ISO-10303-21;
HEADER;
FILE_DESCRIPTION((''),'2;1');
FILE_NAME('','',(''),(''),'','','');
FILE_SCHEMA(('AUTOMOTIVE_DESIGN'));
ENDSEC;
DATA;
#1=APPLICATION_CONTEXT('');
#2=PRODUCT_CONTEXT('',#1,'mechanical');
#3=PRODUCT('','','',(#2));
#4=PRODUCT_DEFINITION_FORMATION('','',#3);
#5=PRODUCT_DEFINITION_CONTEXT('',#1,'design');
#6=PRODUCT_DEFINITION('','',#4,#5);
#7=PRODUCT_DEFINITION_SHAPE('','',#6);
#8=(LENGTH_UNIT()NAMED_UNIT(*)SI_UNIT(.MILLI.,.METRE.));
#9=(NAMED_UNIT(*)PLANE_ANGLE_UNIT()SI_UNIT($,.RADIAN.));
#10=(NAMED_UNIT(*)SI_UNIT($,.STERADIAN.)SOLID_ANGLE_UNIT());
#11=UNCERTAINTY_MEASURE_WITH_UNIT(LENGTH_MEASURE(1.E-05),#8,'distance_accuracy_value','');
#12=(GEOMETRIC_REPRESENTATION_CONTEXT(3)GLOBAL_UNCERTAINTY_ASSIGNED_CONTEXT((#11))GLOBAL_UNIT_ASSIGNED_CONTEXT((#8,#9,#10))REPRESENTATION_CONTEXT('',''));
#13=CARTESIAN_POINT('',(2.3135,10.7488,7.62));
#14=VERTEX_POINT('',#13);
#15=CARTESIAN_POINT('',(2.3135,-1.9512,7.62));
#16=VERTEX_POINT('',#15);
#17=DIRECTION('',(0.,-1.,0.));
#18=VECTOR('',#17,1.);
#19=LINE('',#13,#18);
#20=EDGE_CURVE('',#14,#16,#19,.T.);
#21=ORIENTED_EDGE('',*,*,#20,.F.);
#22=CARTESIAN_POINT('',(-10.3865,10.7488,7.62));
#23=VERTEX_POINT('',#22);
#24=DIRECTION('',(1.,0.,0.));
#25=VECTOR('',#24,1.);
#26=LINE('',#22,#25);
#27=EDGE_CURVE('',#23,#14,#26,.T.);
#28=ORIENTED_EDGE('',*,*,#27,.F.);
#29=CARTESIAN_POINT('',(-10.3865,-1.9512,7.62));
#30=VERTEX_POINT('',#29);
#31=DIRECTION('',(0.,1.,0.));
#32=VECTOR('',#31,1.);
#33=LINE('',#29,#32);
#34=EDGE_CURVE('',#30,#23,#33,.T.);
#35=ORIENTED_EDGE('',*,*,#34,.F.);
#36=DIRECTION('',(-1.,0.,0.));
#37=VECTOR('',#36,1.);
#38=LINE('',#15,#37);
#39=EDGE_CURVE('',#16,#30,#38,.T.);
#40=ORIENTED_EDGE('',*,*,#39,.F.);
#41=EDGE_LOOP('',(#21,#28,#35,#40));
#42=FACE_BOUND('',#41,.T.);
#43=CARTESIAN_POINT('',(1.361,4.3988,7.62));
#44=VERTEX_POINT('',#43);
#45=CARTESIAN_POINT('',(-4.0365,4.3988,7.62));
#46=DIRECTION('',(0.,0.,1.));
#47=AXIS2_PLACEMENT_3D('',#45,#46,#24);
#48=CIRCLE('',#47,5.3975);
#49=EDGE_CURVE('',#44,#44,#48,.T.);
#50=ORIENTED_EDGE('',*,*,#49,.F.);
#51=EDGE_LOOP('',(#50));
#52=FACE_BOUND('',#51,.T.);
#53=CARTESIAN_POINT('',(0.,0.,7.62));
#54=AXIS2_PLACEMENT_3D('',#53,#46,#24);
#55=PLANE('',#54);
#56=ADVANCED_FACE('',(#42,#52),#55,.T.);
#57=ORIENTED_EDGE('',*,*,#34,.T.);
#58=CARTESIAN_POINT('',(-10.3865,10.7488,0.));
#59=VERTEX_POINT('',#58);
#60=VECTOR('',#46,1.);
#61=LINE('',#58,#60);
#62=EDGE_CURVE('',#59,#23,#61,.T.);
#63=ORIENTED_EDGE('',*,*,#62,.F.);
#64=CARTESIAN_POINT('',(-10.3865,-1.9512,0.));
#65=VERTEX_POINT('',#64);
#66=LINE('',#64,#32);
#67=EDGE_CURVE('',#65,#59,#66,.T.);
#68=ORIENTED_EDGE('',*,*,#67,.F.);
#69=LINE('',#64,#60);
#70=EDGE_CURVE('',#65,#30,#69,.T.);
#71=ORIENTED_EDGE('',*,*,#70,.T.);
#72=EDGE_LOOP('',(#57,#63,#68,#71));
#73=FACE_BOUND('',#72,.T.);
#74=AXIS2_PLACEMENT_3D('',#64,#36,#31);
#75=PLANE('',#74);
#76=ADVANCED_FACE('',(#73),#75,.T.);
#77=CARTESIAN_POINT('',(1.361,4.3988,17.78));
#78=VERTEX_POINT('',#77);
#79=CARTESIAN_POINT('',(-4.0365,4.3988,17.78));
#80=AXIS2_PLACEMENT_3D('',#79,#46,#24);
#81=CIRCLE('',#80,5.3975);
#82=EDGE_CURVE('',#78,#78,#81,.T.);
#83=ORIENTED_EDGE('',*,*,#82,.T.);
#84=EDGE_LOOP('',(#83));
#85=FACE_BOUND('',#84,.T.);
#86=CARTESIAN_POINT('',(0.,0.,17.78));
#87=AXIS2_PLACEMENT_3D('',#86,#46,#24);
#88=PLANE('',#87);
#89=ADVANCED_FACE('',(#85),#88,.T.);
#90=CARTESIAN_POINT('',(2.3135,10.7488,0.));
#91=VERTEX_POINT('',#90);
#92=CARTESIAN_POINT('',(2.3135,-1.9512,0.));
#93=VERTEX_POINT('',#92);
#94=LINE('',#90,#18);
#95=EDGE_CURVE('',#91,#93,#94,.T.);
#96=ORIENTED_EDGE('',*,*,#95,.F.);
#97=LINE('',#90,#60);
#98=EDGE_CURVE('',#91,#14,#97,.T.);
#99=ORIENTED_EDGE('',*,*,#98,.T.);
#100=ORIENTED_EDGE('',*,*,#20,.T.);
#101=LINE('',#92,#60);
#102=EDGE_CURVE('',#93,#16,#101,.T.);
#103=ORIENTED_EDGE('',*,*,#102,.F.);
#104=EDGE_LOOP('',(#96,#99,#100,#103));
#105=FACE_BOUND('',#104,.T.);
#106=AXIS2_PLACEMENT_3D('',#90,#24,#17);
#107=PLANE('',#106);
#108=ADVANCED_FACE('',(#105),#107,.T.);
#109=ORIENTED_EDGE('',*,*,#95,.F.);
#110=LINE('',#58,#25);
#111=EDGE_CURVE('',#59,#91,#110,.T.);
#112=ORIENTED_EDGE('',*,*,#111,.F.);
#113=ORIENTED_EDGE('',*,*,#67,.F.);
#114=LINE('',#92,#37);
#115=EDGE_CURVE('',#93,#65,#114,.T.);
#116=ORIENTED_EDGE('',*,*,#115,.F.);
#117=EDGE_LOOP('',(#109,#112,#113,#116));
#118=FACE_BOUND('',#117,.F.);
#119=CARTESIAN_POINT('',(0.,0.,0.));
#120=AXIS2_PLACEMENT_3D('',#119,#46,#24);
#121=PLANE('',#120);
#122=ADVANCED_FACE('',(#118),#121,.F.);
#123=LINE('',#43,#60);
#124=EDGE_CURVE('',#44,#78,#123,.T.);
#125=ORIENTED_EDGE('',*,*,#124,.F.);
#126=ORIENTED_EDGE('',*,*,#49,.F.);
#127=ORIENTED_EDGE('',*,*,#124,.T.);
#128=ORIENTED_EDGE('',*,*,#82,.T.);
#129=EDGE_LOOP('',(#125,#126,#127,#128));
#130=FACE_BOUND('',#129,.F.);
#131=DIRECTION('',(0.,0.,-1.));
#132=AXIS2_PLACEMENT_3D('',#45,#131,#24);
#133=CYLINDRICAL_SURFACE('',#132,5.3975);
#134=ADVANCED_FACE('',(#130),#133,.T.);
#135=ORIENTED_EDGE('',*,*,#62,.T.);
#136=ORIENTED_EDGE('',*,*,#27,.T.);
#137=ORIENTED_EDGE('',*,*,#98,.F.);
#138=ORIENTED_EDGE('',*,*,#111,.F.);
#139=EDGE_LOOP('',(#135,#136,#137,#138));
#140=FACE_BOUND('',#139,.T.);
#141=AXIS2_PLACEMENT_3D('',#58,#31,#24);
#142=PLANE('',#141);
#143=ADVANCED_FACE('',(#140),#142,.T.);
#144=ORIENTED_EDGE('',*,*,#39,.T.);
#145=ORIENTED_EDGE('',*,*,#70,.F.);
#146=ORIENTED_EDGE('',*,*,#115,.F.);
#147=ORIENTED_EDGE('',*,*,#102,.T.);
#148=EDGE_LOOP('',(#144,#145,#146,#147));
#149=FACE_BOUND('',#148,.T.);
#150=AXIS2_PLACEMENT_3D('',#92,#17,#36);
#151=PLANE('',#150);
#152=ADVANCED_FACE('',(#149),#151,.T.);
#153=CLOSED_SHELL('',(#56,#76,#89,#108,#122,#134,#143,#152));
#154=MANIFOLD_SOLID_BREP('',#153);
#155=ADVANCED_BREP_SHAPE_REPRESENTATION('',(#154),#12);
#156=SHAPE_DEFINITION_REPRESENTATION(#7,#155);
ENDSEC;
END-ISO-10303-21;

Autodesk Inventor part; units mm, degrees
ref_plane "YZ Plane" through (0, 0, 0) normal (1, 0, 0) x (0, 1, 0)
ref_plane "XZ Plane" through (0, 0, 0) normal (0, 1, 0) x (-1, 0, 0)
ref_plane "XY Plane" through (0, 0, 0) normal (0, 0, 1) x (1, 0, 0)
sketch "Sketch1" plane through (0, 0, 0) normal (0, 0, 1) x (1, 0, 0)
  line L0 (-10.3865, 10.7488) -> (2.3135, 10.7488)
  line L1 (2.3135, 10.7488) -> (2.3135, -1.9512)
  line L2 (2.3135, -1.9512) -> (-10.3865, -1.9512)
  line L3 (-10.3865, -1.9512) -> (-10.3865, 10.7488)
  point P0 (0, 0)
  dimension "d0" = 12.7
  dimension "d1" = 12.7
extrude "Extrusion1" add sketch "Sketch1" along normal blind 7.62
sketch "Sketch2" plane through (0, 0, 7.62) normal (0, 0, 1) x (1, 0, 0)
  circle A0 centre (-4.0365, 4.3988) radius 5.3975
  point P0 (0, 0)
  dimension "d4" = 10.795
extrude "Extrusion2" add sketch "Sketch2" along normal blind 10.16
thread "Thread1" size "7/16-14 UNC" class "2A" standard "ANSI Unified Screw Threads" full length
properties part number "PSI Gauge Screw 1764"
